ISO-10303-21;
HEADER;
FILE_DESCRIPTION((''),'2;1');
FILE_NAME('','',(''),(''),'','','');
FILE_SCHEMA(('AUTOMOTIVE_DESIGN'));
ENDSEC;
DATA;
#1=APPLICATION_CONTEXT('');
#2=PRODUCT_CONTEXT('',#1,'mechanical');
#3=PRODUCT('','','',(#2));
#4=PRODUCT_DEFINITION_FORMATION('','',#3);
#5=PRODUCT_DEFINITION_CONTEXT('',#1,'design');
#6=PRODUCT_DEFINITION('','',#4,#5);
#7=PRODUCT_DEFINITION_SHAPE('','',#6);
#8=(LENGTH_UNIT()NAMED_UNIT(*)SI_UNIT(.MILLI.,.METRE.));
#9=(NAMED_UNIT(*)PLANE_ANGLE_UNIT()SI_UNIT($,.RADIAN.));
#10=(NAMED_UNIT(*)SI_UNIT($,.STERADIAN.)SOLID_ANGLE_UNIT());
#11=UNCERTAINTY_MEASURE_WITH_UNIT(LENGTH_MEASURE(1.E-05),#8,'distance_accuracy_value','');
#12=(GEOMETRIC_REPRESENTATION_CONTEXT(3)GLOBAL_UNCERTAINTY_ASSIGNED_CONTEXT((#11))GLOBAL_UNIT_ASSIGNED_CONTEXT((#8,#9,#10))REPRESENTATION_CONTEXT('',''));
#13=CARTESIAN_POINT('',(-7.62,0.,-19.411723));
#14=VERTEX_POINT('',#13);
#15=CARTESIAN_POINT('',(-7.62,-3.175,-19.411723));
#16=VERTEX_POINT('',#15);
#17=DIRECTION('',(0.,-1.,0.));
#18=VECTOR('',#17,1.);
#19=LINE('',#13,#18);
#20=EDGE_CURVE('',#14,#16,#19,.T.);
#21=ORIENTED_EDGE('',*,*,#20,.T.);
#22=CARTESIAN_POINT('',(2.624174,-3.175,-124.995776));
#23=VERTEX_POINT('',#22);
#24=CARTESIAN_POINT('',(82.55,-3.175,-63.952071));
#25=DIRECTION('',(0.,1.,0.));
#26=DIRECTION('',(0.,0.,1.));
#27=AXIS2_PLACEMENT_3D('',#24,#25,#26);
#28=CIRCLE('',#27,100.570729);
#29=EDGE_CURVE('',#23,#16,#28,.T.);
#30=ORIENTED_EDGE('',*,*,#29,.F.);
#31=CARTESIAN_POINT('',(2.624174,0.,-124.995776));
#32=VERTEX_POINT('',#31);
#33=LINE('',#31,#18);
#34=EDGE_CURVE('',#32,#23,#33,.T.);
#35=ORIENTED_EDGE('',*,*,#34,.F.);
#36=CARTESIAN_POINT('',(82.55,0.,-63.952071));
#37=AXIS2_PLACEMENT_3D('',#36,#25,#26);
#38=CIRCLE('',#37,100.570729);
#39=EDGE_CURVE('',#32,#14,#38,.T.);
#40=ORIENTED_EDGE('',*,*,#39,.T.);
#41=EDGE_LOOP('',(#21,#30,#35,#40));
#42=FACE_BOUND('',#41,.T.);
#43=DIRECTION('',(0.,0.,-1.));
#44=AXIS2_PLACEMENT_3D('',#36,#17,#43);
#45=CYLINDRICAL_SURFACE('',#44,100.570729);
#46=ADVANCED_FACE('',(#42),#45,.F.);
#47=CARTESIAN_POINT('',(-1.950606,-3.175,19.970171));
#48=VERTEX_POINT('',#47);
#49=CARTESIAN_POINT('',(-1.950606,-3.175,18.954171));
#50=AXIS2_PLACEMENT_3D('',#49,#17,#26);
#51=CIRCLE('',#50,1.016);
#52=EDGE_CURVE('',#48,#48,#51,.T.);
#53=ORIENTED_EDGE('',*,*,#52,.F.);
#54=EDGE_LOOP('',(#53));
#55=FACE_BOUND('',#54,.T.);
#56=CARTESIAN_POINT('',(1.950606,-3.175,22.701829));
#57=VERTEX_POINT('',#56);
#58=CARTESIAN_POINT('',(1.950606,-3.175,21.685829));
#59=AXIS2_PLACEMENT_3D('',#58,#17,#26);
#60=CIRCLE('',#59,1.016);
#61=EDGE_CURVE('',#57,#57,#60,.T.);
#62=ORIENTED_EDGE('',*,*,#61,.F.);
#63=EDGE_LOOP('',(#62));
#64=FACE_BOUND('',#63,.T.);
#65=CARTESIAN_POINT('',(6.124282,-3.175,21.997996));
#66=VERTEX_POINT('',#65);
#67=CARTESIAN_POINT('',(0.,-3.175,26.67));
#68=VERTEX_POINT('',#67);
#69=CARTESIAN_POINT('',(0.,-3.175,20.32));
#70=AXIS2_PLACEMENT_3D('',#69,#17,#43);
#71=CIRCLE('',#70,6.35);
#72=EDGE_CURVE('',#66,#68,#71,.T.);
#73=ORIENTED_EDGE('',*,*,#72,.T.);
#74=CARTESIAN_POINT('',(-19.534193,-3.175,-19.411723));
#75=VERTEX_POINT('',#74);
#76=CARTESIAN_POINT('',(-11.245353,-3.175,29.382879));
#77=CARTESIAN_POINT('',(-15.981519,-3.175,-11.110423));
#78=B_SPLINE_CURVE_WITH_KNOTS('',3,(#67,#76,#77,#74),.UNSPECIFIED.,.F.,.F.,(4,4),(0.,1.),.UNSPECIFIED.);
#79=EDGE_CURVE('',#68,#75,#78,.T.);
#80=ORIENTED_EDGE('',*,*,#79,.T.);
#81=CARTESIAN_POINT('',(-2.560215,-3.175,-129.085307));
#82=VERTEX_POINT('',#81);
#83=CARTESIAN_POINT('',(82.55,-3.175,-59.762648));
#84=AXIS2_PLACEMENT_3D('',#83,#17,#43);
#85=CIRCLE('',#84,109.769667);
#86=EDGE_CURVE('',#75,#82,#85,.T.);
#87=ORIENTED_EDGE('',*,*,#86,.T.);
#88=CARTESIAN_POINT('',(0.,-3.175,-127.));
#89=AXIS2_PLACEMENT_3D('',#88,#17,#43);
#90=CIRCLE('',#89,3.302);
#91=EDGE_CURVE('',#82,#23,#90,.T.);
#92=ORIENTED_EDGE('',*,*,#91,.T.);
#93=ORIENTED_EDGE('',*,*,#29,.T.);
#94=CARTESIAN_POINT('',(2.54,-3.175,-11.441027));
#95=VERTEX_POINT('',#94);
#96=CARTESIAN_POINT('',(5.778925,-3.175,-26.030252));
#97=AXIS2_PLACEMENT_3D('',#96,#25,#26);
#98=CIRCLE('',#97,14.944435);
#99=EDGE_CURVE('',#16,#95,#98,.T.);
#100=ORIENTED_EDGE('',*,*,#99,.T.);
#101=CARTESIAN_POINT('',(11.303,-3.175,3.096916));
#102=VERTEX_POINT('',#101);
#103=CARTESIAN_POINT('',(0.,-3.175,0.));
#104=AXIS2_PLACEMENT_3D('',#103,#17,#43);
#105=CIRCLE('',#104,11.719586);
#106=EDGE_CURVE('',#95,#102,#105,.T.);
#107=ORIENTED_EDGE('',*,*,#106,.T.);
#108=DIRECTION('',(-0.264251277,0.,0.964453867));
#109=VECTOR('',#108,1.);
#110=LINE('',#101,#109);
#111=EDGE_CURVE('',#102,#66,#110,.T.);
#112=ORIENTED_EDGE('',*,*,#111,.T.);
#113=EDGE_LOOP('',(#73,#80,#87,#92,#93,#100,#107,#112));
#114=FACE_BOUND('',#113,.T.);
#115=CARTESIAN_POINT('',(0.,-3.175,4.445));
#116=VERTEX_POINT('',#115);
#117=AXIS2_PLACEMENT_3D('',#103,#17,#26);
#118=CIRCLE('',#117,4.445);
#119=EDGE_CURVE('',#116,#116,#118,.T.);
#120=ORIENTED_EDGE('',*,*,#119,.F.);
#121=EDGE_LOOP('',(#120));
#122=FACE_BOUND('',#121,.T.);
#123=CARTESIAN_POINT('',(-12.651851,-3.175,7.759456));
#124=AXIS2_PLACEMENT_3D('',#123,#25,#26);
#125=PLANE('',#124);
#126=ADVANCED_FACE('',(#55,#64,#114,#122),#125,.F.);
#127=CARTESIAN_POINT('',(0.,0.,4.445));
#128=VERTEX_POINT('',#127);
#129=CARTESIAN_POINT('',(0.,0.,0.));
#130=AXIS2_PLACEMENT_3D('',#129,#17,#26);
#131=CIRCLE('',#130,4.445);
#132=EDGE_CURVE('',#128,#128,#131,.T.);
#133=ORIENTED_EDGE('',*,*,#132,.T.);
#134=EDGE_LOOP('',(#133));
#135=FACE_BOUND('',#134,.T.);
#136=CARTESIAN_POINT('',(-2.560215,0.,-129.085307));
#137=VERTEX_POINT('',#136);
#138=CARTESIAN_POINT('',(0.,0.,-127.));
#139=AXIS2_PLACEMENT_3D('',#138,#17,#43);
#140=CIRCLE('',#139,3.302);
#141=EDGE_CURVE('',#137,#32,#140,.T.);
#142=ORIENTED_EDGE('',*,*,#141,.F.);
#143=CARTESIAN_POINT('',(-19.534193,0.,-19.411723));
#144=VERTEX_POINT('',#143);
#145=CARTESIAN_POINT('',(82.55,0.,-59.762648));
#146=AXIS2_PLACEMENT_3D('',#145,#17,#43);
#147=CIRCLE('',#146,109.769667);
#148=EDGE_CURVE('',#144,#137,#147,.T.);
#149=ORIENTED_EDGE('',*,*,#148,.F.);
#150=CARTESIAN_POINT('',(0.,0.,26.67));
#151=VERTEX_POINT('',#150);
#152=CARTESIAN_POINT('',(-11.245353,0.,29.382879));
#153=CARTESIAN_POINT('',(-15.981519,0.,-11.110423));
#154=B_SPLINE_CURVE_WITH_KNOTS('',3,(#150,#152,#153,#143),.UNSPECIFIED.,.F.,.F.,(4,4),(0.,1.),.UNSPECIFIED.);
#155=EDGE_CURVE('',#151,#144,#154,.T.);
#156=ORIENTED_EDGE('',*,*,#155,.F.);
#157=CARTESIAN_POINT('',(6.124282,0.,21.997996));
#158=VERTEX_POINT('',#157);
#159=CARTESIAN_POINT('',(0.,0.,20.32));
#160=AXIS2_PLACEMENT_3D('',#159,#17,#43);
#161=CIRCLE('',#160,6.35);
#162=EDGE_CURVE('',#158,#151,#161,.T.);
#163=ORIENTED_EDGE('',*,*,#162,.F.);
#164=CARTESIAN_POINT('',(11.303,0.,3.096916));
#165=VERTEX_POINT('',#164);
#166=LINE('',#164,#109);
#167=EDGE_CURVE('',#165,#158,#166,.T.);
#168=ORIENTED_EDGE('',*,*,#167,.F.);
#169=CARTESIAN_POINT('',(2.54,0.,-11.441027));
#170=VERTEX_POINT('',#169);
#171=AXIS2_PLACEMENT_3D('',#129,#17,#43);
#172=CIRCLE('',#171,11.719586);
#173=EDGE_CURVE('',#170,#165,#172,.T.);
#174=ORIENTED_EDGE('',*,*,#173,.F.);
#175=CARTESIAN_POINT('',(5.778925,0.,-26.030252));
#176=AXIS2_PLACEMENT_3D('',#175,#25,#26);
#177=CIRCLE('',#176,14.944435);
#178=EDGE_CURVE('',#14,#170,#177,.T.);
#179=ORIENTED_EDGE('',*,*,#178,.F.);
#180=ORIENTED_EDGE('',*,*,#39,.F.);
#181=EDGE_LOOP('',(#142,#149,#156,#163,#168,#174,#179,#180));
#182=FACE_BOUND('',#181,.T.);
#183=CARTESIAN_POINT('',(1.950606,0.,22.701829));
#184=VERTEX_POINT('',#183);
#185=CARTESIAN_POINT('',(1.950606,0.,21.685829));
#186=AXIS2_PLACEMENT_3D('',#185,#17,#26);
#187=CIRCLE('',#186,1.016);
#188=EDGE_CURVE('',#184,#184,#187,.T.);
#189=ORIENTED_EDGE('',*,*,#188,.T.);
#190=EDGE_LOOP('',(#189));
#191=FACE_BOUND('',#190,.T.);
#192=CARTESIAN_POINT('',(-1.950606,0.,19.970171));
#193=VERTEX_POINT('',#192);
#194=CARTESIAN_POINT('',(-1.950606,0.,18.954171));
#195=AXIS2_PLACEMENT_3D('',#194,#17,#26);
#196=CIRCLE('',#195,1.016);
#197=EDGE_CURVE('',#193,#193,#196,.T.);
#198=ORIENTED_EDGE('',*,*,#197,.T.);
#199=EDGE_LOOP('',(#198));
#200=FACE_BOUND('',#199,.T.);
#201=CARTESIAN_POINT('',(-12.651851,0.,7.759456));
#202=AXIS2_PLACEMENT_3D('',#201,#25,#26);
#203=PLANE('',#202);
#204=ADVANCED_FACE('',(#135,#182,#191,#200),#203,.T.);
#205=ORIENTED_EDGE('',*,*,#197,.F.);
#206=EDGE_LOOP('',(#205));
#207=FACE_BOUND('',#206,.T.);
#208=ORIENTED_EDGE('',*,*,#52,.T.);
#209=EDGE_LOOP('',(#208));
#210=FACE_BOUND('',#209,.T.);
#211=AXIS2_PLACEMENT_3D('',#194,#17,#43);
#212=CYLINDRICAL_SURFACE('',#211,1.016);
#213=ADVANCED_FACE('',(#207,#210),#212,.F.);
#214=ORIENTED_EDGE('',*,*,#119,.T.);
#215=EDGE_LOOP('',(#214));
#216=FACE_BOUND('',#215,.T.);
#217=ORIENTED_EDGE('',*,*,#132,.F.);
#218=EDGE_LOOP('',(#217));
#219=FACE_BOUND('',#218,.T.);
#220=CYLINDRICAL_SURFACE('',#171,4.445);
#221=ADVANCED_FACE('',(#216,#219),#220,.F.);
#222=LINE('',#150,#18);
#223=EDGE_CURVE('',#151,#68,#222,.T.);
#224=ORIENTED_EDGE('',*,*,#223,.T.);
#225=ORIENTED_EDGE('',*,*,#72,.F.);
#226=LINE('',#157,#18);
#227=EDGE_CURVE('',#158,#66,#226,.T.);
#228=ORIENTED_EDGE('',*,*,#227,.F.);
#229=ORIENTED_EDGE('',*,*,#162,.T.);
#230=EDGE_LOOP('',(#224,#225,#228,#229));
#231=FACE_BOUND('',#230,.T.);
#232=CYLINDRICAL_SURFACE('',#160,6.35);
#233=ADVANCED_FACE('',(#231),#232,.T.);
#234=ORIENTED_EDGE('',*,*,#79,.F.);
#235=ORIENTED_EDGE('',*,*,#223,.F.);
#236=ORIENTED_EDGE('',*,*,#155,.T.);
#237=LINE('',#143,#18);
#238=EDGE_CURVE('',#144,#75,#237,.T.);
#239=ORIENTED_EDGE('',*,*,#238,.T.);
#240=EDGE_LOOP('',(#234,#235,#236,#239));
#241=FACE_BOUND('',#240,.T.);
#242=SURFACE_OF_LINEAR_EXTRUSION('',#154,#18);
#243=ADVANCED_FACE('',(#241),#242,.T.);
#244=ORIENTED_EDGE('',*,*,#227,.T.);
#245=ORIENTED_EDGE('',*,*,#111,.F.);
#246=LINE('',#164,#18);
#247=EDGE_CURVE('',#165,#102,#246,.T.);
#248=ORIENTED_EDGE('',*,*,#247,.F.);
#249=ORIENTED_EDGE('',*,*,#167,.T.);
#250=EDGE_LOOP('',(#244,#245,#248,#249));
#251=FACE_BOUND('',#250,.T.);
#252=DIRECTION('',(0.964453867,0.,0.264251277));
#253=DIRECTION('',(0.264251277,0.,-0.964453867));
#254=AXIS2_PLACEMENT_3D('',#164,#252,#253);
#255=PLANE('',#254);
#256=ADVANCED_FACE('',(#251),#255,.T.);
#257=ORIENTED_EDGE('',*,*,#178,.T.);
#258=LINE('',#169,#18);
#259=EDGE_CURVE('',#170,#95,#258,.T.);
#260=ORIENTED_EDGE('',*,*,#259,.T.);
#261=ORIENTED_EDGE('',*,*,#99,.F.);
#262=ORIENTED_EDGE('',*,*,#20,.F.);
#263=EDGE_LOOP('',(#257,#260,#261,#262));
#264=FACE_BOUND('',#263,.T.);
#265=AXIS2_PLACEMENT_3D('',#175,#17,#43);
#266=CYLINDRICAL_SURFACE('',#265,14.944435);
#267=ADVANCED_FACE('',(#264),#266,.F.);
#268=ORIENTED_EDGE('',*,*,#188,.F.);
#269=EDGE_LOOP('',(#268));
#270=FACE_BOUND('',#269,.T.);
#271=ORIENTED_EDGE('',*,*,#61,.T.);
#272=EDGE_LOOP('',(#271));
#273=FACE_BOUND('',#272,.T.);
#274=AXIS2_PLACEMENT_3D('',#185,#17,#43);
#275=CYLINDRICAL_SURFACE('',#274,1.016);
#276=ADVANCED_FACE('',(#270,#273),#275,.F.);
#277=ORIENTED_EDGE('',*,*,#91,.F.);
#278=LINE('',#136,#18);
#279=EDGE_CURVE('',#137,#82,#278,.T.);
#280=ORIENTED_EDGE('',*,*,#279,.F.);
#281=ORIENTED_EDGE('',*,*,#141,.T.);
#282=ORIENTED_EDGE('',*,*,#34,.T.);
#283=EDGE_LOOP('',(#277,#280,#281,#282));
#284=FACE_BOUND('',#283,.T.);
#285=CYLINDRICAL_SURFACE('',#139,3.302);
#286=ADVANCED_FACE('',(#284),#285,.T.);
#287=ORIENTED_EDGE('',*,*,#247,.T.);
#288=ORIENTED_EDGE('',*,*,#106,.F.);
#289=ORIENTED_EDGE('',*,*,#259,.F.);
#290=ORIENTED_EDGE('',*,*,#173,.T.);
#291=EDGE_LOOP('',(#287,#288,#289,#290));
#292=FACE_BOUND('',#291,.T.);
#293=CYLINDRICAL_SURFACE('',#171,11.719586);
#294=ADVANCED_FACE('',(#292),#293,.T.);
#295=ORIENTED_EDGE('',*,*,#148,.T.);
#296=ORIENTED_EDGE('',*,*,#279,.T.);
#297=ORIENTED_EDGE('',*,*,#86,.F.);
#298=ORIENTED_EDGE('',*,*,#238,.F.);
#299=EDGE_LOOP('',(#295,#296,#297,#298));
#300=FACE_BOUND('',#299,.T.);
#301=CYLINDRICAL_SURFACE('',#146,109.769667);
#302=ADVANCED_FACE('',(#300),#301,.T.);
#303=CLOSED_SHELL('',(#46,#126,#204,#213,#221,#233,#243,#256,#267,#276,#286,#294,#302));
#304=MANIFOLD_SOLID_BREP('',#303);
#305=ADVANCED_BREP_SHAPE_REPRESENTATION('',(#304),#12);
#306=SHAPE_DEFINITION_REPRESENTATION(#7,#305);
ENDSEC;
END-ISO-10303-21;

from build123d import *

# Parameters (mm, degrees)
SKETCH1_R           = 4.445
SKETCH1_R_2         = 1.016
BOSS_EXTRUDE1_DEPTH = 3.175


with BuildPart() as part:
    # Sketch1 → Boss-Extrude1 (new body)
    with BuildSketch(Plane.XZ.offset(3.175)):
        with BuildLine():
            Line((11.303, 3.096915559), (6.124282058, 21.997995611))
            ThreePointArc((6.124282058, 21.997995611), (3.851443098, 25.368651906), (0, 26.67))
            add(Edge.make_bspline(
                [(0, 26.67), (-11.245352648, 29.382878564), (-15.981518953, -11.110422608), (-19.534193398, -19.411722699)],
                knots=[0, 0, 0, 0, 1, 1, 1, 1], degree=3))
            ThreePointArc((-19.534193398, -19.411722699), (-25.928156212, -76.551612234), (-2.56021484, -129.085306685))
            ThreePointArc((-2.56021484, -129.085306685), (2.045015617, -129.592511355), (2.624173857, -124.99577557))
            ThreePointArc((2.624173857, -124.99577557), (-17.550677185, -73.664226625), (-7.62, -19.411722699))
            ThreePointArc((-7.62, -19.411722699), (-3.445364163, -14.272335011), (2.54, -11.441026832))
            ThreePointArc((2.54, -11.441026832), (10.037186084, -6.050090122), (11.303, 3.096915559))
        make_face()
        with Locations(Location((0, 0, 0), (0, 0, 90))):  # turned: the seam where the file's is
            Circle(SKETCH1_R, mode=Mode.SUBTRACT)
        with Locations(Location((-1.950605805, 18.954171111, 0), (0, 0, 90))):  # turned: the seam where the file's is
            Circle(SKETCH1_R_2, mode=Mode.SUBTRACT)
        with Locations(Location((1.950605805, 21.685828889, 0), (0, 0, 90))):  # turned: the seam where the file's is
            Circle(SKETCH1_R_2, mode=Mode.SUBTRACT)
    extrude(amount=-BOSS_EXTRUDE1_DEPTH)


solid = part.part
